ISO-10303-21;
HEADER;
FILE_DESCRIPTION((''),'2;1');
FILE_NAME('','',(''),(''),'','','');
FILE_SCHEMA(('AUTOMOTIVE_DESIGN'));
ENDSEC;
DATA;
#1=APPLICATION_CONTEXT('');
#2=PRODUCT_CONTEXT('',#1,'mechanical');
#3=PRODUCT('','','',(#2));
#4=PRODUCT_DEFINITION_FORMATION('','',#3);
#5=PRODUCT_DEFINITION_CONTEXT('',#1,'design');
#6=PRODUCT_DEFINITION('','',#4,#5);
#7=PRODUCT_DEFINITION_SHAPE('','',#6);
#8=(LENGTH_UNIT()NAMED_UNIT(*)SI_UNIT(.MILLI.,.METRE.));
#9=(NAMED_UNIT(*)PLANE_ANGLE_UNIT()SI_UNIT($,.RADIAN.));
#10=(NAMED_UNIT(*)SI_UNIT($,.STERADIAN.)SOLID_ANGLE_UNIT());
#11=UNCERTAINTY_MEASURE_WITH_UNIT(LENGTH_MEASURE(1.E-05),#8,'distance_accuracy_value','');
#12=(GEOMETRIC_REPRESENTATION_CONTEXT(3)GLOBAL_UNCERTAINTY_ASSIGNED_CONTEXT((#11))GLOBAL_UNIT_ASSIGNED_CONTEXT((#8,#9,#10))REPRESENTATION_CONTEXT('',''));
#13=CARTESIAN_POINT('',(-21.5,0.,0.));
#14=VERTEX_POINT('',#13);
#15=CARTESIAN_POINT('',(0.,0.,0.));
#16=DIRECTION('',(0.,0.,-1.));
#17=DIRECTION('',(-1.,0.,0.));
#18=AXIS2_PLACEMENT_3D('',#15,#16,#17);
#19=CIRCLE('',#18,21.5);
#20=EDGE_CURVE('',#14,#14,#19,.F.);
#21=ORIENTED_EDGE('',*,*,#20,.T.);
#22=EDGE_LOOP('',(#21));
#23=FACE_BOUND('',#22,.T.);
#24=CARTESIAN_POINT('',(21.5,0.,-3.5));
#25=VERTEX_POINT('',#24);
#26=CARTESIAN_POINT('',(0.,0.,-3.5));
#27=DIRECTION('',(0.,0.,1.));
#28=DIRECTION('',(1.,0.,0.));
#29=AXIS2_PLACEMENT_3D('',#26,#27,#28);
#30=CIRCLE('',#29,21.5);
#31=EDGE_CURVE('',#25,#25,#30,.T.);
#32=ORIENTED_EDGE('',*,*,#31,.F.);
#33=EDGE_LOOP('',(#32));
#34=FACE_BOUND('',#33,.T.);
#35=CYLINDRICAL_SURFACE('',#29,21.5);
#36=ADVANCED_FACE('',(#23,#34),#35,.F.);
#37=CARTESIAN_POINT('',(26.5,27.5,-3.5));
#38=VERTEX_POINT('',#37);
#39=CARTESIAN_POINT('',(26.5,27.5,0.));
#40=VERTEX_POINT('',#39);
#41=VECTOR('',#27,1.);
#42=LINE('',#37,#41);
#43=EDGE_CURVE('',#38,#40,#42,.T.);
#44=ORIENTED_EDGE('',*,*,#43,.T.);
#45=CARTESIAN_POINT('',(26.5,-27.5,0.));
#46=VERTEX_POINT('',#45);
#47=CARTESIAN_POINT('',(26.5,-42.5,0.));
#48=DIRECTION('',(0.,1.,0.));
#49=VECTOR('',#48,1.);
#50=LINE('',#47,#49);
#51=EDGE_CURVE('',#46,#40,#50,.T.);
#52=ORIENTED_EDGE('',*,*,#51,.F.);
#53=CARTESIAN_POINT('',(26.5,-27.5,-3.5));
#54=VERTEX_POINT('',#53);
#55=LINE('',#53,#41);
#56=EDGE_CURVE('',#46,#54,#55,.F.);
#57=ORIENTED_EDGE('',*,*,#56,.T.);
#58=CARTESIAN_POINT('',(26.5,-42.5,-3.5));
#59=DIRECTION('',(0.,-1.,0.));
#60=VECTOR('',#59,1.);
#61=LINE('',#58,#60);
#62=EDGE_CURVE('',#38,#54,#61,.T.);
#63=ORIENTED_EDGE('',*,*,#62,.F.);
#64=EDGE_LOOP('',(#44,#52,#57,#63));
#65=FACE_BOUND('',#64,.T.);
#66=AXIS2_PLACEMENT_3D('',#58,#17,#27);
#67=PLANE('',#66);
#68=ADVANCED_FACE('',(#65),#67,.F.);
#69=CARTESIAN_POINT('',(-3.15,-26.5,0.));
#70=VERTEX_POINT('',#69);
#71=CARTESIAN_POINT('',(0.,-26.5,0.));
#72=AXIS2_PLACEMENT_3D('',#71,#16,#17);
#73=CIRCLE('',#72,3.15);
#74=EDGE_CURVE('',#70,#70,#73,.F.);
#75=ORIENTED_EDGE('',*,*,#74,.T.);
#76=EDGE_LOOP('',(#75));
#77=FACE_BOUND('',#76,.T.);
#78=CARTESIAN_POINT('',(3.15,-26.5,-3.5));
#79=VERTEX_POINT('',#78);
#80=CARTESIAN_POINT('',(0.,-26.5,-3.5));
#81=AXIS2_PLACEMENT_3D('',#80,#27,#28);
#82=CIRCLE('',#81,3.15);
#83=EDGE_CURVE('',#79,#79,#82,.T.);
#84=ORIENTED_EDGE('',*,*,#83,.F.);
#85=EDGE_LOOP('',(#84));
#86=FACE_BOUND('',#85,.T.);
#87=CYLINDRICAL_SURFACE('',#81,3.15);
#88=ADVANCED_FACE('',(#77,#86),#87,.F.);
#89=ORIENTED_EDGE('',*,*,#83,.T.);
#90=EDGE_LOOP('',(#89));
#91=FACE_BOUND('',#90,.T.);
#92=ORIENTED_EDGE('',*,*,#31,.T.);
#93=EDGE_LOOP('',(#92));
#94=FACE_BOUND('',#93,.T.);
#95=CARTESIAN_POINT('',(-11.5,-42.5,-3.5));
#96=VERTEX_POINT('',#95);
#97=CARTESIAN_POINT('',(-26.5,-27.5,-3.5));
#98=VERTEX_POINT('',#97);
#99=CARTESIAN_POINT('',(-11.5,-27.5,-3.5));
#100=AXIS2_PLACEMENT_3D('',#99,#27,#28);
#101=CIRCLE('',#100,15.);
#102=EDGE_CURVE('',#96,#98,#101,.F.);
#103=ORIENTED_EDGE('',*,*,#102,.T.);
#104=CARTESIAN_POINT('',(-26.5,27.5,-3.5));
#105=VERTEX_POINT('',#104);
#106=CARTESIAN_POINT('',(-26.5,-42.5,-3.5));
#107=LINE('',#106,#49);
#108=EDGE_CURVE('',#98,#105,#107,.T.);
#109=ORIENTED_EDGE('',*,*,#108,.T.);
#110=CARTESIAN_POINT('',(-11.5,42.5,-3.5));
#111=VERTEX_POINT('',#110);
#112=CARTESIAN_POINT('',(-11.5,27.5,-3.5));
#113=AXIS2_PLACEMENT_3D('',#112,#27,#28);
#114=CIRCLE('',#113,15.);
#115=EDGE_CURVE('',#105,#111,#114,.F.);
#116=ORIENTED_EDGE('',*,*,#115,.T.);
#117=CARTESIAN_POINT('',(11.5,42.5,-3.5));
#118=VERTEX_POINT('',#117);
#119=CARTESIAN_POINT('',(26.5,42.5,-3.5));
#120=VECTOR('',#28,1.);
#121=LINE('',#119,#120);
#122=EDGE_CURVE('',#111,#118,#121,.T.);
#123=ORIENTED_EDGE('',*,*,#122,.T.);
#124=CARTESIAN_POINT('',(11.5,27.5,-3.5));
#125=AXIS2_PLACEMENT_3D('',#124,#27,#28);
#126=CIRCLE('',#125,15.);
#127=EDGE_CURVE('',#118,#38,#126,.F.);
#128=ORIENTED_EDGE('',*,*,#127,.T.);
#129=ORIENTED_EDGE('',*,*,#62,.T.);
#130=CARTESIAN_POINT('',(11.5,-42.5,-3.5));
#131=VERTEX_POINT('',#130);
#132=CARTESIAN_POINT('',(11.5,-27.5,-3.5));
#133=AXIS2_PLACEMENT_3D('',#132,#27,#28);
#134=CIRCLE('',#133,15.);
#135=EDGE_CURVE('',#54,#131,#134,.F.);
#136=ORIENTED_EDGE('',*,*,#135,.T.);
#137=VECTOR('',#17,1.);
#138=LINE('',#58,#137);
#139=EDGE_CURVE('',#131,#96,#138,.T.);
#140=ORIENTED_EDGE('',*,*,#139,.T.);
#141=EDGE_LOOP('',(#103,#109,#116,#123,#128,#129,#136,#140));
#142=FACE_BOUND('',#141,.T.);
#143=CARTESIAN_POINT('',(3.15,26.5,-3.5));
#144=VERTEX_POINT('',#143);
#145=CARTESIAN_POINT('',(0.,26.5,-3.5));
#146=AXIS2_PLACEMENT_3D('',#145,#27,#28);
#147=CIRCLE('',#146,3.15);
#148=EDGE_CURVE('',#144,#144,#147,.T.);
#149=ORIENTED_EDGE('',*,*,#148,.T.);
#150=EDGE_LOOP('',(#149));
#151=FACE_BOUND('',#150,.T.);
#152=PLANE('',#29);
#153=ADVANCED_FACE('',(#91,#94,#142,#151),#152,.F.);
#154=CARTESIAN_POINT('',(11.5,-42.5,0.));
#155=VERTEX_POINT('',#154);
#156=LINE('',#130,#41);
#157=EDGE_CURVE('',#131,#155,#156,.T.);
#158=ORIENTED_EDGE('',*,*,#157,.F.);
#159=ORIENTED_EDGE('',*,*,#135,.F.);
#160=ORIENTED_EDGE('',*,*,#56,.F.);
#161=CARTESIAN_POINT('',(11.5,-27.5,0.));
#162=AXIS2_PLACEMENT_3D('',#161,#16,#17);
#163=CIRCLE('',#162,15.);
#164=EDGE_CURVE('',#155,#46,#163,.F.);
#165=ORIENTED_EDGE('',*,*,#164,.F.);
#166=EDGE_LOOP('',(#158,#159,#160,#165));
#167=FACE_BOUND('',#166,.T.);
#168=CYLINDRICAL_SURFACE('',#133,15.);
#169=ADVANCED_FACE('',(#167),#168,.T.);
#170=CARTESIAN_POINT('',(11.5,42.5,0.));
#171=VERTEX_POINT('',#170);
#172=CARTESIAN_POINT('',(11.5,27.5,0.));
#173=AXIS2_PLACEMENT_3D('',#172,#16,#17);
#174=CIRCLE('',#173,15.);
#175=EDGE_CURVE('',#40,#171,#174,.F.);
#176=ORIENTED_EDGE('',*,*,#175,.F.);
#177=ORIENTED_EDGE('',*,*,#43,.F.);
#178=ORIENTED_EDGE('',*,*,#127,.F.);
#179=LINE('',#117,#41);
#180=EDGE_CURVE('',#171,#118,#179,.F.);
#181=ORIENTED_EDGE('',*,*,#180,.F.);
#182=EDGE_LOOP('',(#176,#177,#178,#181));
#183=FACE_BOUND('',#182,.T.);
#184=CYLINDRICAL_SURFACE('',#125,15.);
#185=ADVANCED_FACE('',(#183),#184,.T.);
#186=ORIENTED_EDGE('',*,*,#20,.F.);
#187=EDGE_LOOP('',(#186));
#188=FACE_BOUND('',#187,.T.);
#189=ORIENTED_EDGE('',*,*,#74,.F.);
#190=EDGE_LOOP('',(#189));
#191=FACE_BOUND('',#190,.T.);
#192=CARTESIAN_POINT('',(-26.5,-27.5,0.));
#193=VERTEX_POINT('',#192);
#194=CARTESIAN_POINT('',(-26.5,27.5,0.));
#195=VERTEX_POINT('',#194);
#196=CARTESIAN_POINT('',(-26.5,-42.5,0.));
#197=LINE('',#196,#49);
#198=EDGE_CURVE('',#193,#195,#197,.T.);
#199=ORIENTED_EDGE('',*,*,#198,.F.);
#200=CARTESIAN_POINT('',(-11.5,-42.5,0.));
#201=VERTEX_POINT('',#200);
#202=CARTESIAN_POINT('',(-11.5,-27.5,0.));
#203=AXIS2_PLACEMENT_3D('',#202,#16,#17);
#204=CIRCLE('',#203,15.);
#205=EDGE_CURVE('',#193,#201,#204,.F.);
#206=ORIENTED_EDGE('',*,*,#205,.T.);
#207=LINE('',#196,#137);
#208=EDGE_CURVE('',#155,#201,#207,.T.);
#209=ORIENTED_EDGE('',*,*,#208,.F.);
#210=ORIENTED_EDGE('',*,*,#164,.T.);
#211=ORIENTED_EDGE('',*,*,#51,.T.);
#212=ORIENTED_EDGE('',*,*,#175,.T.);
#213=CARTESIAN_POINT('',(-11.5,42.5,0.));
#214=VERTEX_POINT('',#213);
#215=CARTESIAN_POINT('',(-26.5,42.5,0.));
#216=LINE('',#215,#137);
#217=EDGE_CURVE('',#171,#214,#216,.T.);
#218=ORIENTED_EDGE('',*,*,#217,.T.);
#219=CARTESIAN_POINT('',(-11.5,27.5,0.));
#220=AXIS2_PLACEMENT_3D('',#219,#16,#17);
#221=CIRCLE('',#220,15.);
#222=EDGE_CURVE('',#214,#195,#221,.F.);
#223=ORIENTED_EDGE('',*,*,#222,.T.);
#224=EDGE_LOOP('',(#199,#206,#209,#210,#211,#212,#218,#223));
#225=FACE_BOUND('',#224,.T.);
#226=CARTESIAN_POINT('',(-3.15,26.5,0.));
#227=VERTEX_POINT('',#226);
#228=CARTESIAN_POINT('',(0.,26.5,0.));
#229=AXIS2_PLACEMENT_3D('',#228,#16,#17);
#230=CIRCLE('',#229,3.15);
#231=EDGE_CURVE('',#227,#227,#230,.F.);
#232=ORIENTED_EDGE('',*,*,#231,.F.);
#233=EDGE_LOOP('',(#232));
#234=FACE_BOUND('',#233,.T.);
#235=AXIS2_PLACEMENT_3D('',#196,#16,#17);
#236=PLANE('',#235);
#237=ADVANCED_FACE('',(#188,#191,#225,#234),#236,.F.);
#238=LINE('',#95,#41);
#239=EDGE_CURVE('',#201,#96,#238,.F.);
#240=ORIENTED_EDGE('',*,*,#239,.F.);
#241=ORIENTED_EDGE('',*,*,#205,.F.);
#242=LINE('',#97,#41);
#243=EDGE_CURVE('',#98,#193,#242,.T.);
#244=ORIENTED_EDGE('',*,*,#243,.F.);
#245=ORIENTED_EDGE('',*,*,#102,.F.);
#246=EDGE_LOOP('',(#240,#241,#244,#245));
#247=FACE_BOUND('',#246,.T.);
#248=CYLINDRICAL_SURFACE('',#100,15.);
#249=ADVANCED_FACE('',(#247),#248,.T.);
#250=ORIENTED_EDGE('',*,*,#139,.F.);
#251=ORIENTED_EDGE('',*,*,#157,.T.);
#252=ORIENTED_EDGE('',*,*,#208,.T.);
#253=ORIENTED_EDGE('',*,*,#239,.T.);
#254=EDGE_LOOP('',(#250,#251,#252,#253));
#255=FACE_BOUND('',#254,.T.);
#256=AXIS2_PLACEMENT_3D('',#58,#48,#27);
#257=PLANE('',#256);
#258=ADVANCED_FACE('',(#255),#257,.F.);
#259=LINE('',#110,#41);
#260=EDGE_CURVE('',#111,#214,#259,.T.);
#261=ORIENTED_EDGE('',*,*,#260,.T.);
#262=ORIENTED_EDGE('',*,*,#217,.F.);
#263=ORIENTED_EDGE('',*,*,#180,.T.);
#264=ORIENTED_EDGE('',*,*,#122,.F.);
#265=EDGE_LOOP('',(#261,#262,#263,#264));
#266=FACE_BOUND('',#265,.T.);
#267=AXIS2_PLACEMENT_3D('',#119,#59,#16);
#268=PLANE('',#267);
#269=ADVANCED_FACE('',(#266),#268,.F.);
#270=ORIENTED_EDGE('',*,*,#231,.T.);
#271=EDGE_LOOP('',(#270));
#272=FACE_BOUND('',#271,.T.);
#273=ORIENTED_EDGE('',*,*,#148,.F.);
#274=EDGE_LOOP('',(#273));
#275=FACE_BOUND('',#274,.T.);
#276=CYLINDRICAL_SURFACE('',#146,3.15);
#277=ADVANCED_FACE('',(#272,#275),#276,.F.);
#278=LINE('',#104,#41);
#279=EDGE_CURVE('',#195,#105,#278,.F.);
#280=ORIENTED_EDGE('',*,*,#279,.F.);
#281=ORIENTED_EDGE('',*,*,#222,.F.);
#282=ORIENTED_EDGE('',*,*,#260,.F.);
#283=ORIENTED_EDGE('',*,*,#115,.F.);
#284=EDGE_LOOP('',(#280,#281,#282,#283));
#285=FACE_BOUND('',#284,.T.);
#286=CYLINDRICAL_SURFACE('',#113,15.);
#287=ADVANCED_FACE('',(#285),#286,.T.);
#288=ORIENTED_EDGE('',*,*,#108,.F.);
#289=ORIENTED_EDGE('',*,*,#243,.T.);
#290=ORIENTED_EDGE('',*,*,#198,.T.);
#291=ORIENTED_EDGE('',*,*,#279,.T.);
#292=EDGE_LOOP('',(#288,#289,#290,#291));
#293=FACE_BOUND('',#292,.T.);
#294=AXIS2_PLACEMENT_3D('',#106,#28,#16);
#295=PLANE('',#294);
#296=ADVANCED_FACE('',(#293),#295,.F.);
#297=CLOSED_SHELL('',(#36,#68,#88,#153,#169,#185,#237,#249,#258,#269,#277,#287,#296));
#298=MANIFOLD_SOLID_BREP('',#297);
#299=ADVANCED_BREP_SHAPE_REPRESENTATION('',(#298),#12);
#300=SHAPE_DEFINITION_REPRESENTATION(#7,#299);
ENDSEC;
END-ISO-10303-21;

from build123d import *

# Parameters (mm, degrees)
BOSS_EXTRUDE1_DEPTH = 5
SKETCH4_W           = 53
SKETCH4_H           = 85
BOSS_EXTRUDE2_DEPTH = 3.5
SKETCH2_R           = 21.5
CUT_EXTRUDE1_DEPTH  = 74.391075752
SKETCH3_R           = 3.15
CUT_EXTRUDE2_DEPTH  = 74.391075752
SKETCH16_W          = 82.074163125
SKETCH16_H          = 140.053159095
SKETCH16_W_2        = 53
SKETCH16_H_2        = 85
LAZY_CUT_DEPTH      = 74.068461049
FILLET1_R           = 15
SKETCH17_W          = 53
SKETCH17_H          = 5
CUT_EXTRUDE7_DEPTH  = 90.175388981
SKETCH12_R          = 2.9
CUT_EXTRUDE3_DEPTH  = 3
SKETCH13_R          = 1.75
CUT_EXTRUDE4_DEPTH  = 51.386009963
CUT_EXTRUDE5_DEPTH  = 3
CUT_EXTRUDE6_DEPTH  = 1.5


with BuildPart() as part:
    # Sketch1 → Boss-Extrude1 (new body)
    with BuildSketch(Plane.XY):
        with BuildLine():
            Line((25, 65), (-25, 65))
            ThreePointArc((-25, 65), (-30.656854249, 62.656854249), (-33, 57))
            Line((-33, 57), (-33, -57))
            ThreePointArc((-33, -57), (-30.656854249, -62.656854249), (-25, -65))
            Line((-25, -65), (25, -65))
            ThreePointArc((25, -65), (30.656854249, -62.656854249), (33, -57))
            Line((33, -57), (33, 57))
            ThreePointArc((33, 57), (30.656854249, 62.656854249), (25, 65))
        make_face()
    extrude(amount=BOSS_EXTRUDE1_DEPTH)

    # Sketch4 → Boss-Extrude2 (add)
    with BuildSketch(Plane(origin=(0, 0, 0), x_dir=(-1, 0, 0), z_dir=(0, 0, -1))):
        Rectangle(SKETCH4_W, SKETCH4_H)
    extrude(amount=BOSS_EXTRUDE2_DEPTH)

    # Sketch2 → Cut-Extrude1 (cut, through all)
    with BuildSketch(Plane.XY.offset(5)):
        Circle(SKETCH2_R)
    extrude(amount=-CUT_EXTRUDE1_DEPTH, mode=Mode.SUBTRACT)

    # Sketch3 → Cut-Extrude2 (cut, through all)
    with BuildSketch(Plane.XY.offset(5)):
        with Locations((0, 26.5)):
            Circle(SKETCH3_R)
        with Locations((0, -26.5)):
            Circle(SKETCH3_R)
    extrude(amount=-CUT_EXTRUDE2_DEPTH, mode=Mode.SUBTRACT)

    # Sketch16 → lazy cut (cut, through all)
    with BuildSketch(Plane(origin=(0, 0, 0), x_dir=(-1, 0, 0), z_dir=(0, 0, -1))):
        with Locations((0.978866165, -0.150594795)):
            Rectangle(SKETCH16_W, SKETCH16_H)
        Rectangle(SKETCH16_W_2, SKETCH16_H_2, mode=Mode.SUBTRACT)
    extrude(amount=-LAZY_CUT_DEPTH, mode=Mode.SUBTRACT)

    # Fillet1
    fillet1_edges = [part.edges().sort_by_distance(p)[0] for p in [
        (-26.5, -42.5, 0.75),
        (-26.5, 42.5, 0.75),
        (26.5, 42.5, 0.75),
        (26.5, -42.5, 0.75),
    ]]
    fillet(fillet1_edges, radius=FILLET1_R)

    # Sketch17 → Cut-Extrude7 (cut, through all)
    with BuildSketch(Plane(origin=(0, 42.5, 0), x_dir=(1, 0, 0), z_dir=(0, 1, 0))):
        with Locations((0, -2.5)):
            Rectangle(SKETCH17_W, SKETCH17_H)
    extrude(amount=-CUT_EXTRUDE7_DEPTH, mode=Mode.SUBTRACT)

    # Sketch12 → Cut-Extrude3 (cut)
    with BuildSketch(Plane.XY.offset(5)):
        with Locations((-27.75, 59.75)):
            Circle(SKETCH12_R)
        with Locations((27.75, 59.75)):
            Circle(SKETCH12_R)
        with Locations((-27.75, -59.75)):
            Circle(SKETCH12_R)
        with Locations((27.75, -59.75)):
            Circle(SKETCH12_R)
    extrude(amount=-CUT_EXTRUDE3_DEPTH, mode=Mode.SUBTRACT)

    # Sketch13 → Cut-Extrude4 (cut, through all)
    with BuildSketch(Plane.XY.offset(2)):
        with Locations((-27.75, 59.75)):
            Circle(SKETCH13_R)
        with Locations((27.75, 59.75)):
            Circle(SKETCH13_R)
        with Locations((27.75, -59.75)):
            Circle(SKETCH13_R)
        with Locations((-27.75, -59.75)):
            Circle(SKETCH13_R)
    extrude(amount=-CUT_EXTRUDE4_DEPTH, mode=Mode.SUBTRACT)

    # Sketch14 → Cut-Extrude5 (cut)
    with BuildSketch(Plane.XY.offset(5)):
        with BuildLine():
            Line((-5.5, 26.5), (-5.5, -26.5))
            ThreePointArc((-5.5, -26.5), (0, -32), (5.5, -26.5))
            Line((5.5, -26.5), (5.5, 26.5))
            ThreePointArc((5.5, 26.5), (0, 32), (-5.5, 26.5))
        make_face()
    extrude(amount=-CUT_EXTRUDE5_DEPTH, mode=Mode.SUBTRACT)

    # Sketch15 → Cut-Extrude6 (cut)
    with BuildSketch(Plane.XY.offset(5)):
        with BuildLine():
            Line((-2.5, 65), (-2.5, 31.398979486))
            ThreePointArc((-2.5, 31.398979486), (0, 32), (2.5, 31.398979486))
            Line((2.5, 31.398979486), (2.5, 65))
            Line((2.5, 65), (-2.5, 65))
        make_face()
        with BuildLine():
            Line((-27.75, 13.75), (-20.879116361, 13.75))
            ThreePointArc((-20.879116361, 13.75), (-14.747047157, 20.187238547), (-6.75, 24.071508054))
            Line((-6.75, 24.071508054), (-6.75, 59.75))
            Line((-6.75, 59.75), (-21.75, 59.75))
            ThreePointArc((-21.75, 59.75), (-23.507359313, 55.507359313), (-27.75, 53.75))
            Line((-27.75, 53.75), (-27.75, 13.75))
        make_face()
        with BuildLine():
            Line((27.75, 13.75), (20.879116361, 13.75))
            ThreePointArc((20.879116361, 13.75), (14.747047157, 20.187238547), (6.75, 24.071508054))
            Line((6.75, 24.071508054), (6.75, 59.75))
            Line((6.75, 59.75), (21.75, 59.75))
            ThreePointArc((21.75, 59.75), (23.507359313, 55.507359313), (27.75, 53.75))
            Line((27.75, 53.75), (27.75, 13.75))
        make_face()
        with BuildLine():
            Line((27.75, -53.75), (27.75, -13.75))
            Line((27.75, -13.75), (20.879116361, -13.75))
            ThreePointArc((20.879116361, -13.75), (14.747047157, -20.187238547), (6.75, -24.071508054))
            Line((6.75, -24.071508054), (6.75, -59.75))
            Line((6.75, -59.75), (21.75, -59.75))
            ThreePointArc((21.75, -59.75), (23.507359313, -55.507359313), (27.75, -53.75))
        make_face()
        with BuildLine():
            Line((2.5, -65), (2.5, -31.398979486))
            ThreePointArc((2.5, -31.398979486), (0, -32), (-2.5, -31.398979486))
            Line((-2.5, -31.398979486), (-2.5, -65))
            Line((-2.5, -65), (2.5, -65))
        make_face()
        with BuildLine():
            Line((-6.75, -59.75), (-6.75, -24.071508054))
            ThreePointArc((-6.75, -24.071508054), (-14.747047157, -20.187238547), (-20.879116361, -13.75))
            Line((-20.879116361, -13.75), (-27.75, -13.75))
            Line((-27.75, -13.75), (-27.75, -53.75))
            ThreePointArc((-27.75, -53.75), (-23.507359313, -55.507359313), (-21.75, -59.75))
            Line((-21.75, -59.75), (-6.75, -59.75))
        make_face()
    extrude(amount=-CUT_EXTRUDE6_DEPTH, mode=Mode.SUBTRACT)


solid = part.part
